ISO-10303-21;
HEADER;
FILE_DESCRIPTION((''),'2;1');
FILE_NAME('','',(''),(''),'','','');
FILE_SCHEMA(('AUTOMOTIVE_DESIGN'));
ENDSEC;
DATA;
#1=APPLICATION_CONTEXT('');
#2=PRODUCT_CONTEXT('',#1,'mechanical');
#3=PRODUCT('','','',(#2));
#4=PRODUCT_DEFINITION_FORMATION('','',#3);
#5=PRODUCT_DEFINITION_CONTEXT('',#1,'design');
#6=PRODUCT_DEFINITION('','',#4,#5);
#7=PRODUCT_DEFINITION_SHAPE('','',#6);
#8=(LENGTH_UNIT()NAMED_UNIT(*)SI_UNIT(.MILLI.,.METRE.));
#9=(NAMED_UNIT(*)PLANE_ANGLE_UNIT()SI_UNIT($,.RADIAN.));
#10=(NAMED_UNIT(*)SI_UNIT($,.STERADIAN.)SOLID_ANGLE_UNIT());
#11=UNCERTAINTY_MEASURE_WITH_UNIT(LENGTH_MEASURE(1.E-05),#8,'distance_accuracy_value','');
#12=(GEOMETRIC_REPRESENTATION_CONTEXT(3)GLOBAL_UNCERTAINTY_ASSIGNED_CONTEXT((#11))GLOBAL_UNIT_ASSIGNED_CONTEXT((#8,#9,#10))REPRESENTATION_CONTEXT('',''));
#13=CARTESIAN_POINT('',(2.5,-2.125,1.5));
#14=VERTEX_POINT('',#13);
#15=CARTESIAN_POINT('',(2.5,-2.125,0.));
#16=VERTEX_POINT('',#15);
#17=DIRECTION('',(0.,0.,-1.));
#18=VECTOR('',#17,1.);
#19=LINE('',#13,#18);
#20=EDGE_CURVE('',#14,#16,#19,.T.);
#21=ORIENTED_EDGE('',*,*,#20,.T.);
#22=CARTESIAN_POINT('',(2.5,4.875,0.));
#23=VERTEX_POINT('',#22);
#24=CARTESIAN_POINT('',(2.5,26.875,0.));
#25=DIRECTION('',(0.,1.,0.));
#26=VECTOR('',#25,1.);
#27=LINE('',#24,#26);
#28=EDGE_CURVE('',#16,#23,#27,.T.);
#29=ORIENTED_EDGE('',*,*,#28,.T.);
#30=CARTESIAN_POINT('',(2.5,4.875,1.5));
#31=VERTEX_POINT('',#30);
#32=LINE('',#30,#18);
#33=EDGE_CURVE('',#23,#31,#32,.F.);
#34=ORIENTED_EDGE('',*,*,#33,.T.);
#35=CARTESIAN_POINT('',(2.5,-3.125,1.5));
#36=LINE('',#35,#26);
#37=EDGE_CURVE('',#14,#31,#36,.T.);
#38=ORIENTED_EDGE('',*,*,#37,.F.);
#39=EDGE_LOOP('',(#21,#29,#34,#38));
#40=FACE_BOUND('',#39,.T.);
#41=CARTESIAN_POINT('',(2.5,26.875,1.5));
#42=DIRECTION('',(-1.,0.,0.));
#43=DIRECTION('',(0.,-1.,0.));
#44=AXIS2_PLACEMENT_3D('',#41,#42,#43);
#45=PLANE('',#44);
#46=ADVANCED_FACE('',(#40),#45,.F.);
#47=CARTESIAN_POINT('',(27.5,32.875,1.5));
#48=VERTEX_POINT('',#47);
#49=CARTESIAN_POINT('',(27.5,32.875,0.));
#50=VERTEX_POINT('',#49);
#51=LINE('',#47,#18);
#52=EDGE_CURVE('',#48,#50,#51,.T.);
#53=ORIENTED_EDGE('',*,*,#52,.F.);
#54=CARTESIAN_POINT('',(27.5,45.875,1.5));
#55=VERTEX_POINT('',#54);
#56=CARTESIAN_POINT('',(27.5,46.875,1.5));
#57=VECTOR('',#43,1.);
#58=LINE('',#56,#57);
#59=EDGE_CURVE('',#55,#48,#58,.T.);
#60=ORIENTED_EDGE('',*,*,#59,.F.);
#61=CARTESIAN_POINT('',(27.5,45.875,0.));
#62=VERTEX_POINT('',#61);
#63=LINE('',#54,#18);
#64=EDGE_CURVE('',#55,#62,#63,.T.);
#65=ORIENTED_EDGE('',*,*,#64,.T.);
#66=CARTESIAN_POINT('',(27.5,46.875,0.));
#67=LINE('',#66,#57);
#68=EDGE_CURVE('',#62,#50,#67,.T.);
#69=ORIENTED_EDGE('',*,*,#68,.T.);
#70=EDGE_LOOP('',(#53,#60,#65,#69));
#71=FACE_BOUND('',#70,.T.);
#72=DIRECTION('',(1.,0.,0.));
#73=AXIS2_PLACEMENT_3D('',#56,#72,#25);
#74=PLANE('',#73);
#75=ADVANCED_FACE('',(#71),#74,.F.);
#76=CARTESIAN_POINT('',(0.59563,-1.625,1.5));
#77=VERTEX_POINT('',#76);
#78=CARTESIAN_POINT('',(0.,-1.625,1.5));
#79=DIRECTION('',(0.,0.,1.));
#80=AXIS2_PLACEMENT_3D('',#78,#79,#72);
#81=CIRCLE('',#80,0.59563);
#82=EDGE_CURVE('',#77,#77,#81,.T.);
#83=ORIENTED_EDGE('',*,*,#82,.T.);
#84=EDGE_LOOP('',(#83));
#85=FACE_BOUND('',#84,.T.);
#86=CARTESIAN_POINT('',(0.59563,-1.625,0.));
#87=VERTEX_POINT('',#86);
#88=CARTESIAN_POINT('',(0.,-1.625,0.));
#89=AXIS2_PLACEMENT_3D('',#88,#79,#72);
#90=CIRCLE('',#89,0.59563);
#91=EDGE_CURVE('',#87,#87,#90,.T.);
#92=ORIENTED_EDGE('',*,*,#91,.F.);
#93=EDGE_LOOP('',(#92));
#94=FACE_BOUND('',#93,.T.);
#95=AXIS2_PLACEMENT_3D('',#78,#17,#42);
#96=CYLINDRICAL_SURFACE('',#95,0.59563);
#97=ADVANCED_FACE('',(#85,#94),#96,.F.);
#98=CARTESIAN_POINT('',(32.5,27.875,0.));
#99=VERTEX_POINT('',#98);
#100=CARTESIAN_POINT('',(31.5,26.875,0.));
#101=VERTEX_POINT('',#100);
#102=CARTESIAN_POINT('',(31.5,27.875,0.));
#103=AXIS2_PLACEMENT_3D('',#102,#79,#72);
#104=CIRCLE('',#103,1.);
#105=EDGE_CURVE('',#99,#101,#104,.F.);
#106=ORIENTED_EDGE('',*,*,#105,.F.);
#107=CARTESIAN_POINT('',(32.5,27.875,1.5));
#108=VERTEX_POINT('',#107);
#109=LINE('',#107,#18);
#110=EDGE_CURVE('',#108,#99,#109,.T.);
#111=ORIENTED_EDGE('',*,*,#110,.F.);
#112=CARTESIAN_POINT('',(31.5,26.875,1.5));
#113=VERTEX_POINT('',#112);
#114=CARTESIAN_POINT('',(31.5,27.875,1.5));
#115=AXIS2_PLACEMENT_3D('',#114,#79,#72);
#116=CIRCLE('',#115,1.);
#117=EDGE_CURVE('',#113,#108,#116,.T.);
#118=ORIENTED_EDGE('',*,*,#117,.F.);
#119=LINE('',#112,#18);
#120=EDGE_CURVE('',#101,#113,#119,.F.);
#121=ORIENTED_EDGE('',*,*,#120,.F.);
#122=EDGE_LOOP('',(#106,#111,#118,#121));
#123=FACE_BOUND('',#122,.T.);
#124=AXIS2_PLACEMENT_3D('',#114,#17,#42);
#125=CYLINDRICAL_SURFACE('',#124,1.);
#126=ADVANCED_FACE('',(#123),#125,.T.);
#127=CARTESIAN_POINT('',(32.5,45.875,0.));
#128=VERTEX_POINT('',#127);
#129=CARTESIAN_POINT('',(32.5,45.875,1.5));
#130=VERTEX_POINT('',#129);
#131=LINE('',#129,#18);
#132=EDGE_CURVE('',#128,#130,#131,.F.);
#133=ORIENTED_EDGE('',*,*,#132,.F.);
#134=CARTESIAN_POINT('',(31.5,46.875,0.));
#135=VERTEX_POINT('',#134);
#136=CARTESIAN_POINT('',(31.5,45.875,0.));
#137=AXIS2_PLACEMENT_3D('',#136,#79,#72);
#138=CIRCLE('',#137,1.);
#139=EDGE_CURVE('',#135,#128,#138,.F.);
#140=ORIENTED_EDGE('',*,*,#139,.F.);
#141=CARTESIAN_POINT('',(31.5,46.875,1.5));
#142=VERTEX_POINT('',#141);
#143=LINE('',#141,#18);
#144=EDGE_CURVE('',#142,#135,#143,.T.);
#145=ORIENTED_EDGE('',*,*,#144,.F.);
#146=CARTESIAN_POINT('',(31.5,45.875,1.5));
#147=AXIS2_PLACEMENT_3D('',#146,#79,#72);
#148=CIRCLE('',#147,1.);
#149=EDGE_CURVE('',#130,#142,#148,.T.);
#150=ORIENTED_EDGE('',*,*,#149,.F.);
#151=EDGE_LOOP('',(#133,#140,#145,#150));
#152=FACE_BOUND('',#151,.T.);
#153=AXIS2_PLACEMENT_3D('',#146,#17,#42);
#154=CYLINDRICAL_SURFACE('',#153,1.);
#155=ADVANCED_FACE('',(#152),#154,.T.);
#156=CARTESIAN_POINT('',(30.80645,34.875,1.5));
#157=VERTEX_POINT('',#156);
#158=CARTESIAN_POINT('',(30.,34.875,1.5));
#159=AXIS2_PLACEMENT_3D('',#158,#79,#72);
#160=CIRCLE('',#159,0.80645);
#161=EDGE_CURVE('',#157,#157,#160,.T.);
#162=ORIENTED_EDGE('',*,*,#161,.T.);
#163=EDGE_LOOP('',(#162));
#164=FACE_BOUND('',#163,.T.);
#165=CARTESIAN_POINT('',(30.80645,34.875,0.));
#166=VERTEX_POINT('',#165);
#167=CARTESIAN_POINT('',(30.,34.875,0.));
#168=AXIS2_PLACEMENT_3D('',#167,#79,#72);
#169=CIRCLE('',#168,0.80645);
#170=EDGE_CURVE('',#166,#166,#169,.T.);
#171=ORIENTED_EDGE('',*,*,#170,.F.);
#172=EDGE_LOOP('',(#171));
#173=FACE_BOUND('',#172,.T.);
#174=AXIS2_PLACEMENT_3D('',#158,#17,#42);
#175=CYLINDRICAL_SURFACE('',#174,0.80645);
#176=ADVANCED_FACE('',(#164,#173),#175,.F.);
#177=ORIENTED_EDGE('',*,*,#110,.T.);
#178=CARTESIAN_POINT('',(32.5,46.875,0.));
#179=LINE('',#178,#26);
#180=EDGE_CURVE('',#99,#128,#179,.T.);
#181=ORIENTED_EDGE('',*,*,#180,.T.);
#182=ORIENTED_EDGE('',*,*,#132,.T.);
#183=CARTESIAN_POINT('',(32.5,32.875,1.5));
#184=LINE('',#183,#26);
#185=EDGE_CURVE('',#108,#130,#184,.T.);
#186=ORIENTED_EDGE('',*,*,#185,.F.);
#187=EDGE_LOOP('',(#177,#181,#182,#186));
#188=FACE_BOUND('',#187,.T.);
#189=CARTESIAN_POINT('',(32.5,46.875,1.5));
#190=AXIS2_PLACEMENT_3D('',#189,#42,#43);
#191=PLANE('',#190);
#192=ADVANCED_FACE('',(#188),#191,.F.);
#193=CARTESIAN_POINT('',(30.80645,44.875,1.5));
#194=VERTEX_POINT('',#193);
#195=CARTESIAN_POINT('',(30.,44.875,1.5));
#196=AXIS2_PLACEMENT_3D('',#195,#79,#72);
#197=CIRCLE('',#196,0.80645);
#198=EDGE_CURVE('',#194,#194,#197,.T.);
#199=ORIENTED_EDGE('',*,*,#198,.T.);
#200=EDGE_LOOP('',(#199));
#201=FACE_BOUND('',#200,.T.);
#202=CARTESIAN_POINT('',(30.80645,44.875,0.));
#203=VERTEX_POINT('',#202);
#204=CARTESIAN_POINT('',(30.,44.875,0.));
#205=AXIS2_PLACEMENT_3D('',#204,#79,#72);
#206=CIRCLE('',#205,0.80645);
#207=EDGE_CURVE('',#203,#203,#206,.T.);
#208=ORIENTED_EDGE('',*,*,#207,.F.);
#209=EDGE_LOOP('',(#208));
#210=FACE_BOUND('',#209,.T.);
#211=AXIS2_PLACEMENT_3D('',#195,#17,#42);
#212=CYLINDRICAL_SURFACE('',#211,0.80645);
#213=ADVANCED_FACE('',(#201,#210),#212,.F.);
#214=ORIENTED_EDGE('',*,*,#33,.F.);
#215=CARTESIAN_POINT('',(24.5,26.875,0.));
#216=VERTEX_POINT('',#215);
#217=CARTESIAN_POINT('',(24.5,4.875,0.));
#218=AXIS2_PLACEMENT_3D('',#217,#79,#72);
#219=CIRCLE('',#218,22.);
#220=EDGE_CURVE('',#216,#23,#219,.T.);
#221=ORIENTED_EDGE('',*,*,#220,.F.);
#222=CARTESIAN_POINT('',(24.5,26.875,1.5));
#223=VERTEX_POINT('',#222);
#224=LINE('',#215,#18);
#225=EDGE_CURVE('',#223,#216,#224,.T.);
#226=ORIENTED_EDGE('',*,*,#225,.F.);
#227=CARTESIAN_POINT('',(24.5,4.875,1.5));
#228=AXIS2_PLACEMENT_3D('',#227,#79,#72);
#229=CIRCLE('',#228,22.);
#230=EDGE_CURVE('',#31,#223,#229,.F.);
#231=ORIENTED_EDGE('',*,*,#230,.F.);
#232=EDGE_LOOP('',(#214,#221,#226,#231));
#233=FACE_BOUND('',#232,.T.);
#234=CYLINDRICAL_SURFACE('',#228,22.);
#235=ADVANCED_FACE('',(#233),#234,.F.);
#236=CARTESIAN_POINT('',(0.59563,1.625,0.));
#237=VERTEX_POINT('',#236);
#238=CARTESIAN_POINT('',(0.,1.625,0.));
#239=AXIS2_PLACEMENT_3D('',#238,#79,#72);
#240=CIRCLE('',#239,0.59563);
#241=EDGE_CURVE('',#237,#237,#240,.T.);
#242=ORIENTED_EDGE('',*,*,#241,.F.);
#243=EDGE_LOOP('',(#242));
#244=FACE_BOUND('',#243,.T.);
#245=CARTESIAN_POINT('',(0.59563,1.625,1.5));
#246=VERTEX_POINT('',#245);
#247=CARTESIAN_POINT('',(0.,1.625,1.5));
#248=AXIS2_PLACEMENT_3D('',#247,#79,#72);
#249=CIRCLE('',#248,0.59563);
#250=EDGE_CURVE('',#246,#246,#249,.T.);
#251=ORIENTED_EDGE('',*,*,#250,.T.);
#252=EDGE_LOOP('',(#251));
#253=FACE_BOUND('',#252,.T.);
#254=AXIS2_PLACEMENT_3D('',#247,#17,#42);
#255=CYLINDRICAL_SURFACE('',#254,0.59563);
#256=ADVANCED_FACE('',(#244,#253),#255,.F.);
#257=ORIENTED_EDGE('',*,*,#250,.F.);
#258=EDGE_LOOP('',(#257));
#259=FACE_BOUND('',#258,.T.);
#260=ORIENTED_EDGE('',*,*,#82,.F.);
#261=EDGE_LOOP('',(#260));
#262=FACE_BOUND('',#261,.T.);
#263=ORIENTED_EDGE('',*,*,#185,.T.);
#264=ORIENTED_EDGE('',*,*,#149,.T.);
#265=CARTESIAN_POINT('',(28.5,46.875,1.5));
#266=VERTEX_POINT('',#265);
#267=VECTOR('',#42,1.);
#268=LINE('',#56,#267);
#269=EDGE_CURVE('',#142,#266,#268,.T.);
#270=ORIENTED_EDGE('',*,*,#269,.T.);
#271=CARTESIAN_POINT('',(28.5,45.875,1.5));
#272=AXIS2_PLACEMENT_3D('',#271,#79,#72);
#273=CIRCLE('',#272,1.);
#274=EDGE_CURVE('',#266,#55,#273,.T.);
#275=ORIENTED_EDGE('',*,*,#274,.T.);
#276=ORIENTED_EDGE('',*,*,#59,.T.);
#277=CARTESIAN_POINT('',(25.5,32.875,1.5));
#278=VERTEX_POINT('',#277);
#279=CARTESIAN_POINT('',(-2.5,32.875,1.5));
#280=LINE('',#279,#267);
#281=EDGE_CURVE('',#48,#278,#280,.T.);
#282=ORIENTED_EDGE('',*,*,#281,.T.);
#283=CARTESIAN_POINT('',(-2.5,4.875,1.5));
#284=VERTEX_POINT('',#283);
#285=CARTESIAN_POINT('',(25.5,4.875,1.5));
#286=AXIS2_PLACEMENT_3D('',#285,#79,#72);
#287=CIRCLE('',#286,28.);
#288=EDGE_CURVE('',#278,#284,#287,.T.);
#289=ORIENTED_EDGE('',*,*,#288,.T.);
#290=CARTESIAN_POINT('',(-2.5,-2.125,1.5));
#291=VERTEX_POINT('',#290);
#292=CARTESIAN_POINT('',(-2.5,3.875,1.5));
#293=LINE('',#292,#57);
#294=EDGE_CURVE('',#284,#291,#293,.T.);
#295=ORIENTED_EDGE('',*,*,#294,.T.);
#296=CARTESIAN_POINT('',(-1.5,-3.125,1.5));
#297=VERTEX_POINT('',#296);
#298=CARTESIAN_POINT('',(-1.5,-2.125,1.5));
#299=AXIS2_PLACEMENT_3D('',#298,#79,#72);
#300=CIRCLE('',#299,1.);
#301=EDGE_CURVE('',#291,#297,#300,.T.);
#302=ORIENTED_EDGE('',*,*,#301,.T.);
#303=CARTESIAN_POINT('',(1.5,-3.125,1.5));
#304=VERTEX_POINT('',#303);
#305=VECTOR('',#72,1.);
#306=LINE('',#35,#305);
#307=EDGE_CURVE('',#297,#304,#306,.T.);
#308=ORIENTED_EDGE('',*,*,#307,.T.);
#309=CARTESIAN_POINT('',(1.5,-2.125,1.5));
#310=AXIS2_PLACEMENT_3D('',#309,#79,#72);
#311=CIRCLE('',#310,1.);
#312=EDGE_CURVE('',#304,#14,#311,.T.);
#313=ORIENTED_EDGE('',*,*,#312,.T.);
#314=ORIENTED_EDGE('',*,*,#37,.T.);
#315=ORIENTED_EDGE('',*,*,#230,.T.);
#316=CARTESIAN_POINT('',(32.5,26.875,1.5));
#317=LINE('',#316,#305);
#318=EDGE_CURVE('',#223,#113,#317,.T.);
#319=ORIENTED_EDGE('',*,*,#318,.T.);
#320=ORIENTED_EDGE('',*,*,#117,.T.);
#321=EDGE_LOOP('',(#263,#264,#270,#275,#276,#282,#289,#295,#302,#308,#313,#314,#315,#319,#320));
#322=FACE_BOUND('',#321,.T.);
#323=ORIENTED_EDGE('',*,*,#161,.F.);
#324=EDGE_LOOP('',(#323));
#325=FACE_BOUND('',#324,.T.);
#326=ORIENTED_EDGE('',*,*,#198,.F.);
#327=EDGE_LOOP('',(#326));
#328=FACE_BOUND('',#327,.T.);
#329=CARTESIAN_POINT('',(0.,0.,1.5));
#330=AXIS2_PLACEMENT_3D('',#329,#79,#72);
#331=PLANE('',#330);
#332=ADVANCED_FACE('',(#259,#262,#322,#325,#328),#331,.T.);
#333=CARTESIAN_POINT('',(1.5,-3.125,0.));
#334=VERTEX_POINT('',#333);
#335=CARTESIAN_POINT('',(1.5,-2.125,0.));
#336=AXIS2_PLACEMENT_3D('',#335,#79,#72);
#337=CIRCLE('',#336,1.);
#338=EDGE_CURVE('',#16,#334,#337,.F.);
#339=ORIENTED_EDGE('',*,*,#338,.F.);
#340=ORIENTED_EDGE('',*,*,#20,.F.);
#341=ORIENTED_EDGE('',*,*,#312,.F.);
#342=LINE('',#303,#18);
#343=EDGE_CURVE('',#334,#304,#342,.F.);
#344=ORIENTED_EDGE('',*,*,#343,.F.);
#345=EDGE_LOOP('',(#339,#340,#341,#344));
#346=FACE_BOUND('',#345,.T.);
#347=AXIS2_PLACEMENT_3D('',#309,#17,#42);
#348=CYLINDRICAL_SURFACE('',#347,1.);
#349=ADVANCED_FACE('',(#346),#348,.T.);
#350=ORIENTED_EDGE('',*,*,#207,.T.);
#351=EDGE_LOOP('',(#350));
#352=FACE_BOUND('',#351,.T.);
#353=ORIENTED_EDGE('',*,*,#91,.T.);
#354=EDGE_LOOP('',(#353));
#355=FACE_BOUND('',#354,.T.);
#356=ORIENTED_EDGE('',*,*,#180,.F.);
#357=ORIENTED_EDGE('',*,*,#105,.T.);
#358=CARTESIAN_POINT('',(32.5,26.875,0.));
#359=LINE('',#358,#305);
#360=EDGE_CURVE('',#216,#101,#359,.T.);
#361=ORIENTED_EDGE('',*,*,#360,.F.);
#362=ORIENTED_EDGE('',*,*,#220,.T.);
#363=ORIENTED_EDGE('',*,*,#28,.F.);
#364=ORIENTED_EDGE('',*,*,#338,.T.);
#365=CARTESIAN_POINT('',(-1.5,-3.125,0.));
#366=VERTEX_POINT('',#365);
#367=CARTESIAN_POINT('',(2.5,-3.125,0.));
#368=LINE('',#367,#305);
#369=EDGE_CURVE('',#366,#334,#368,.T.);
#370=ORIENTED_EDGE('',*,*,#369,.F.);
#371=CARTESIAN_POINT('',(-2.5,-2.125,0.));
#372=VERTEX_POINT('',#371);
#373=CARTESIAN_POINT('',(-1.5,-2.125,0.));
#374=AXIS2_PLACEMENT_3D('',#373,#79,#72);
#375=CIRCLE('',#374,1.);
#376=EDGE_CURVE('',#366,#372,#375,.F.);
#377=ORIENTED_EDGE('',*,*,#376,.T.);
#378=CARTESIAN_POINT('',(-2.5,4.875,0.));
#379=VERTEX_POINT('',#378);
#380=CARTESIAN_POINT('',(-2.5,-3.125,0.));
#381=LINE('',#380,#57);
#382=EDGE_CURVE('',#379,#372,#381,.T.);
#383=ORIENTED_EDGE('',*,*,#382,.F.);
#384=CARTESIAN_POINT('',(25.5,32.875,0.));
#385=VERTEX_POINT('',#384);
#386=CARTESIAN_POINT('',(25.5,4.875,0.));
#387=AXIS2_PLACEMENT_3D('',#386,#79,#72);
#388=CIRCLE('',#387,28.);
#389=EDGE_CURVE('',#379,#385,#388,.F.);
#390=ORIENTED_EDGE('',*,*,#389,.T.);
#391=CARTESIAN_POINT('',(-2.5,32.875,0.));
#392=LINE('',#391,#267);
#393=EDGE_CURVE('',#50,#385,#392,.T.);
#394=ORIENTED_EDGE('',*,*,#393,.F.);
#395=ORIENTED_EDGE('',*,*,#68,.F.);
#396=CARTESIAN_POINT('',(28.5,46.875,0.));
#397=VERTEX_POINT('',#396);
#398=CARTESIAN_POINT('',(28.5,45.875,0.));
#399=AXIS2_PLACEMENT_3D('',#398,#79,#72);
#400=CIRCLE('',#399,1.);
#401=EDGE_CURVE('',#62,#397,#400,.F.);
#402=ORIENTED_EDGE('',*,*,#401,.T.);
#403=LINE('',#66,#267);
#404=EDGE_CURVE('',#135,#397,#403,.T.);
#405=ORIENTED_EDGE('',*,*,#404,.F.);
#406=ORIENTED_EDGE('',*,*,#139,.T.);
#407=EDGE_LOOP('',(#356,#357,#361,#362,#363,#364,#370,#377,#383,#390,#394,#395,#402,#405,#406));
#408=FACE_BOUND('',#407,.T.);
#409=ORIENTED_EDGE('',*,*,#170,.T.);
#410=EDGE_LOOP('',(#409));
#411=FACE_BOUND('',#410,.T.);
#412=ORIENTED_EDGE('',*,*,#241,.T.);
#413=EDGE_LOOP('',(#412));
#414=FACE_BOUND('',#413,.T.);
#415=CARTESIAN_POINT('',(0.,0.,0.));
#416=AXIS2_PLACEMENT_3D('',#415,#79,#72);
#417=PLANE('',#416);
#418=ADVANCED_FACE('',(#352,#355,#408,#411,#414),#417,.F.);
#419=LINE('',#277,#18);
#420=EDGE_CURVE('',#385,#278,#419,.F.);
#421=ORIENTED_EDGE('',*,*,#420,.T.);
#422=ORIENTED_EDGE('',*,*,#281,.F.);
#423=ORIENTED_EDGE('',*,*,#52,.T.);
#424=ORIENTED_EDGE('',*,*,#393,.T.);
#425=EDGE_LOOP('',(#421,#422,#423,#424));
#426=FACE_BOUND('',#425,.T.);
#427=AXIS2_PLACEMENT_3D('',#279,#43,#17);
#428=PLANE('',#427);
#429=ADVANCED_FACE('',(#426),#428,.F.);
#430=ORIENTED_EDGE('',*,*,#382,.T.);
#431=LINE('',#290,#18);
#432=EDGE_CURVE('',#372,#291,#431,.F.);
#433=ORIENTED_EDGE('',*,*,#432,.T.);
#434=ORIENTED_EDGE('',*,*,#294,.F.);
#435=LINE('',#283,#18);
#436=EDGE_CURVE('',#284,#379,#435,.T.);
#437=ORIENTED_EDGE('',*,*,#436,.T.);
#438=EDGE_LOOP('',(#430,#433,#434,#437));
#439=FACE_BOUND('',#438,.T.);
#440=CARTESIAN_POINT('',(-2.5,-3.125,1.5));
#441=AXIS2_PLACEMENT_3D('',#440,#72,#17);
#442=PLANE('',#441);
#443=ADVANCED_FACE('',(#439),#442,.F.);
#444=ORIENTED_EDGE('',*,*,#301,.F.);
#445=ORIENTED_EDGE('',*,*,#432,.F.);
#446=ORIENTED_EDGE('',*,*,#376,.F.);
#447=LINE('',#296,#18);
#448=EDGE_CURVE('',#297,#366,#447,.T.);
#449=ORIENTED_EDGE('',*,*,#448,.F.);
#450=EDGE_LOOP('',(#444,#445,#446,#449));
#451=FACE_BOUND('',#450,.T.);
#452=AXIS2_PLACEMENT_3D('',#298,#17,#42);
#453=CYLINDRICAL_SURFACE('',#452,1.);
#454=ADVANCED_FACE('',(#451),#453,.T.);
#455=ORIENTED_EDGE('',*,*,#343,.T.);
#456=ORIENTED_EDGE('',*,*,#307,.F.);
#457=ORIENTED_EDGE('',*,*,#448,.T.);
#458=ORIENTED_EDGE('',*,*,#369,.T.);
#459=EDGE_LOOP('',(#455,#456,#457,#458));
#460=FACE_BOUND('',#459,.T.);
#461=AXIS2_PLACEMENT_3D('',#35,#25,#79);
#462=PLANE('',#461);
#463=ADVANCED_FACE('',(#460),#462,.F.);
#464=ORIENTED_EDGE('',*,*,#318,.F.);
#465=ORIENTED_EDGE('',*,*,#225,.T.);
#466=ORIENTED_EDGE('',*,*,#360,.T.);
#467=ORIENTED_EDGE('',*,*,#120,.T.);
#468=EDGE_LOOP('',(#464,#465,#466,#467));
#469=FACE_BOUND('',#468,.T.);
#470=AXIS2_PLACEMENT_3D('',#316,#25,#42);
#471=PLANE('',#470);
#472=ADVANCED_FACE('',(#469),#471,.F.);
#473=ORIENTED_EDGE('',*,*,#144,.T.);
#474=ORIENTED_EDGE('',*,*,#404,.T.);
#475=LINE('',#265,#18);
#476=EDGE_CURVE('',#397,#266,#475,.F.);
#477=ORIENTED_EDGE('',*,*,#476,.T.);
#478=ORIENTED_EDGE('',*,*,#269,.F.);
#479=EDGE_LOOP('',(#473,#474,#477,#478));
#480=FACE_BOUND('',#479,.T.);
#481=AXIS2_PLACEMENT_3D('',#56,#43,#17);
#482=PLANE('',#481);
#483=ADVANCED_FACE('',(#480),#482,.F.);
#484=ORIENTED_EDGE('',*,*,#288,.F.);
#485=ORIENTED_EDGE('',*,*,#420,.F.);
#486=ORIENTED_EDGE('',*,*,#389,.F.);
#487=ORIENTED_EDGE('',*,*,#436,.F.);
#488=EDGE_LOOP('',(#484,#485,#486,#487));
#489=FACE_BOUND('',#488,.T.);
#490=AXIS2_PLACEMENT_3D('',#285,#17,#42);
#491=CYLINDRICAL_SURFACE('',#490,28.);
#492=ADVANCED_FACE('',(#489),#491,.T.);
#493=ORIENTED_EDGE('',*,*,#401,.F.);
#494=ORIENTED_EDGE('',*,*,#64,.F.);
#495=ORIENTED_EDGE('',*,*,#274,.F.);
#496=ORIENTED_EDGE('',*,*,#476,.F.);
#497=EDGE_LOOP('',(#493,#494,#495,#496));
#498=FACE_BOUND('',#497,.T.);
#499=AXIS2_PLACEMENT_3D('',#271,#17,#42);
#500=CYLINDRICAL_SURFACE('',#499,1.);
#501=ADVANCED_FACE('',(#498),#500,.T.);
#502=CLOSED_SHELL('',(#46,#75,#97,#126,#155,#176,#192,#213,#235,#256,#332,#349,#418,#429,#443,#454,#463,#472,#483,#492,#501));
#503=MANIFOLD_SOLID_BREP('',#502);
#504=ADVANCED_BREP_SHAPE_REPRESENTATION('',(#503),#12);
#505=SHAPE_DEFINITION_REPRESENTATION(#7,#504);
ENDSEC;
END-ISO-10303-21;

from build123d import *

# Parameters (mm, degrees)
SKETCH1_R           = 0.59563
SKETCH1_R_2         = 0.80645
BOSS_EXTRUDE1_DEPTH = 1.5
FILLET2_R           = 22
FILLET3_R           = 28
FILLET1_R           = 1


with BuildPart() as part:
    # Sketch1 → Boss-Extrude1 (new body)
    with BuildSketch(Plane.XY):
        Polygon((-2.5, -3.125), (-2.5, 3.875), (-2.5, 32.875), (27.5, 32.875), (27.5, 46.875), (32.5, 46.875), (32.5, 32.875), (32.5, 26.875), (2.5, 26.875), (2.5, 3.875), (2.5, -3.125), align=None)
        with Locations((0, 1.625)):
            Circle(SKETCH1_R, mode=Mode.SUBTRACT)
        with Locations((0, -1.625)):
            Circle(SKETCH1_R, mode=Mode.SUBTRACT)
        with Locations((30, 44.875)):
            Circle(SKETCH1_R_2, mode=Mode.SUBTRACT)
        with Locations((30, 34.875)):
            Circle(SKETCH1_R_2, mode=Mode.SUBTRACT)
    extrude(amount=BOSS_EXTRUDE1_DEPTH)

    # Fillet2
    fillet2_edges = [part.edges().sort_by_distance(p)[0] for p in [
        (2.5, 26.875, 0.75),
    ]]
    fillet(fillet2_edges, radius=FILLET2_R)

    # Fillet3
    fillet3_edges = [part.edges().sort_by_distance(p)[0] for p in [
        (-2.5, 32.875, 0.75),
    ]]
    fillet(fillet3_edges, radius=FILLET3_R)

    # Fillet1
    fillet1_edges = [part.edges().sort_by_distance(p)[0] for p in [
        (2.5, -3.125, 0.75),
        (-2.5, -3.125, 0.75),
        (27.5, 46.875, 0.75),
        (32.5, 46.875, 0.75),
        (32.5, 26.875, 0.75),
    ]]
    fillet(fillet1_edges, radius=FILLET1_R)


solid = part.part
